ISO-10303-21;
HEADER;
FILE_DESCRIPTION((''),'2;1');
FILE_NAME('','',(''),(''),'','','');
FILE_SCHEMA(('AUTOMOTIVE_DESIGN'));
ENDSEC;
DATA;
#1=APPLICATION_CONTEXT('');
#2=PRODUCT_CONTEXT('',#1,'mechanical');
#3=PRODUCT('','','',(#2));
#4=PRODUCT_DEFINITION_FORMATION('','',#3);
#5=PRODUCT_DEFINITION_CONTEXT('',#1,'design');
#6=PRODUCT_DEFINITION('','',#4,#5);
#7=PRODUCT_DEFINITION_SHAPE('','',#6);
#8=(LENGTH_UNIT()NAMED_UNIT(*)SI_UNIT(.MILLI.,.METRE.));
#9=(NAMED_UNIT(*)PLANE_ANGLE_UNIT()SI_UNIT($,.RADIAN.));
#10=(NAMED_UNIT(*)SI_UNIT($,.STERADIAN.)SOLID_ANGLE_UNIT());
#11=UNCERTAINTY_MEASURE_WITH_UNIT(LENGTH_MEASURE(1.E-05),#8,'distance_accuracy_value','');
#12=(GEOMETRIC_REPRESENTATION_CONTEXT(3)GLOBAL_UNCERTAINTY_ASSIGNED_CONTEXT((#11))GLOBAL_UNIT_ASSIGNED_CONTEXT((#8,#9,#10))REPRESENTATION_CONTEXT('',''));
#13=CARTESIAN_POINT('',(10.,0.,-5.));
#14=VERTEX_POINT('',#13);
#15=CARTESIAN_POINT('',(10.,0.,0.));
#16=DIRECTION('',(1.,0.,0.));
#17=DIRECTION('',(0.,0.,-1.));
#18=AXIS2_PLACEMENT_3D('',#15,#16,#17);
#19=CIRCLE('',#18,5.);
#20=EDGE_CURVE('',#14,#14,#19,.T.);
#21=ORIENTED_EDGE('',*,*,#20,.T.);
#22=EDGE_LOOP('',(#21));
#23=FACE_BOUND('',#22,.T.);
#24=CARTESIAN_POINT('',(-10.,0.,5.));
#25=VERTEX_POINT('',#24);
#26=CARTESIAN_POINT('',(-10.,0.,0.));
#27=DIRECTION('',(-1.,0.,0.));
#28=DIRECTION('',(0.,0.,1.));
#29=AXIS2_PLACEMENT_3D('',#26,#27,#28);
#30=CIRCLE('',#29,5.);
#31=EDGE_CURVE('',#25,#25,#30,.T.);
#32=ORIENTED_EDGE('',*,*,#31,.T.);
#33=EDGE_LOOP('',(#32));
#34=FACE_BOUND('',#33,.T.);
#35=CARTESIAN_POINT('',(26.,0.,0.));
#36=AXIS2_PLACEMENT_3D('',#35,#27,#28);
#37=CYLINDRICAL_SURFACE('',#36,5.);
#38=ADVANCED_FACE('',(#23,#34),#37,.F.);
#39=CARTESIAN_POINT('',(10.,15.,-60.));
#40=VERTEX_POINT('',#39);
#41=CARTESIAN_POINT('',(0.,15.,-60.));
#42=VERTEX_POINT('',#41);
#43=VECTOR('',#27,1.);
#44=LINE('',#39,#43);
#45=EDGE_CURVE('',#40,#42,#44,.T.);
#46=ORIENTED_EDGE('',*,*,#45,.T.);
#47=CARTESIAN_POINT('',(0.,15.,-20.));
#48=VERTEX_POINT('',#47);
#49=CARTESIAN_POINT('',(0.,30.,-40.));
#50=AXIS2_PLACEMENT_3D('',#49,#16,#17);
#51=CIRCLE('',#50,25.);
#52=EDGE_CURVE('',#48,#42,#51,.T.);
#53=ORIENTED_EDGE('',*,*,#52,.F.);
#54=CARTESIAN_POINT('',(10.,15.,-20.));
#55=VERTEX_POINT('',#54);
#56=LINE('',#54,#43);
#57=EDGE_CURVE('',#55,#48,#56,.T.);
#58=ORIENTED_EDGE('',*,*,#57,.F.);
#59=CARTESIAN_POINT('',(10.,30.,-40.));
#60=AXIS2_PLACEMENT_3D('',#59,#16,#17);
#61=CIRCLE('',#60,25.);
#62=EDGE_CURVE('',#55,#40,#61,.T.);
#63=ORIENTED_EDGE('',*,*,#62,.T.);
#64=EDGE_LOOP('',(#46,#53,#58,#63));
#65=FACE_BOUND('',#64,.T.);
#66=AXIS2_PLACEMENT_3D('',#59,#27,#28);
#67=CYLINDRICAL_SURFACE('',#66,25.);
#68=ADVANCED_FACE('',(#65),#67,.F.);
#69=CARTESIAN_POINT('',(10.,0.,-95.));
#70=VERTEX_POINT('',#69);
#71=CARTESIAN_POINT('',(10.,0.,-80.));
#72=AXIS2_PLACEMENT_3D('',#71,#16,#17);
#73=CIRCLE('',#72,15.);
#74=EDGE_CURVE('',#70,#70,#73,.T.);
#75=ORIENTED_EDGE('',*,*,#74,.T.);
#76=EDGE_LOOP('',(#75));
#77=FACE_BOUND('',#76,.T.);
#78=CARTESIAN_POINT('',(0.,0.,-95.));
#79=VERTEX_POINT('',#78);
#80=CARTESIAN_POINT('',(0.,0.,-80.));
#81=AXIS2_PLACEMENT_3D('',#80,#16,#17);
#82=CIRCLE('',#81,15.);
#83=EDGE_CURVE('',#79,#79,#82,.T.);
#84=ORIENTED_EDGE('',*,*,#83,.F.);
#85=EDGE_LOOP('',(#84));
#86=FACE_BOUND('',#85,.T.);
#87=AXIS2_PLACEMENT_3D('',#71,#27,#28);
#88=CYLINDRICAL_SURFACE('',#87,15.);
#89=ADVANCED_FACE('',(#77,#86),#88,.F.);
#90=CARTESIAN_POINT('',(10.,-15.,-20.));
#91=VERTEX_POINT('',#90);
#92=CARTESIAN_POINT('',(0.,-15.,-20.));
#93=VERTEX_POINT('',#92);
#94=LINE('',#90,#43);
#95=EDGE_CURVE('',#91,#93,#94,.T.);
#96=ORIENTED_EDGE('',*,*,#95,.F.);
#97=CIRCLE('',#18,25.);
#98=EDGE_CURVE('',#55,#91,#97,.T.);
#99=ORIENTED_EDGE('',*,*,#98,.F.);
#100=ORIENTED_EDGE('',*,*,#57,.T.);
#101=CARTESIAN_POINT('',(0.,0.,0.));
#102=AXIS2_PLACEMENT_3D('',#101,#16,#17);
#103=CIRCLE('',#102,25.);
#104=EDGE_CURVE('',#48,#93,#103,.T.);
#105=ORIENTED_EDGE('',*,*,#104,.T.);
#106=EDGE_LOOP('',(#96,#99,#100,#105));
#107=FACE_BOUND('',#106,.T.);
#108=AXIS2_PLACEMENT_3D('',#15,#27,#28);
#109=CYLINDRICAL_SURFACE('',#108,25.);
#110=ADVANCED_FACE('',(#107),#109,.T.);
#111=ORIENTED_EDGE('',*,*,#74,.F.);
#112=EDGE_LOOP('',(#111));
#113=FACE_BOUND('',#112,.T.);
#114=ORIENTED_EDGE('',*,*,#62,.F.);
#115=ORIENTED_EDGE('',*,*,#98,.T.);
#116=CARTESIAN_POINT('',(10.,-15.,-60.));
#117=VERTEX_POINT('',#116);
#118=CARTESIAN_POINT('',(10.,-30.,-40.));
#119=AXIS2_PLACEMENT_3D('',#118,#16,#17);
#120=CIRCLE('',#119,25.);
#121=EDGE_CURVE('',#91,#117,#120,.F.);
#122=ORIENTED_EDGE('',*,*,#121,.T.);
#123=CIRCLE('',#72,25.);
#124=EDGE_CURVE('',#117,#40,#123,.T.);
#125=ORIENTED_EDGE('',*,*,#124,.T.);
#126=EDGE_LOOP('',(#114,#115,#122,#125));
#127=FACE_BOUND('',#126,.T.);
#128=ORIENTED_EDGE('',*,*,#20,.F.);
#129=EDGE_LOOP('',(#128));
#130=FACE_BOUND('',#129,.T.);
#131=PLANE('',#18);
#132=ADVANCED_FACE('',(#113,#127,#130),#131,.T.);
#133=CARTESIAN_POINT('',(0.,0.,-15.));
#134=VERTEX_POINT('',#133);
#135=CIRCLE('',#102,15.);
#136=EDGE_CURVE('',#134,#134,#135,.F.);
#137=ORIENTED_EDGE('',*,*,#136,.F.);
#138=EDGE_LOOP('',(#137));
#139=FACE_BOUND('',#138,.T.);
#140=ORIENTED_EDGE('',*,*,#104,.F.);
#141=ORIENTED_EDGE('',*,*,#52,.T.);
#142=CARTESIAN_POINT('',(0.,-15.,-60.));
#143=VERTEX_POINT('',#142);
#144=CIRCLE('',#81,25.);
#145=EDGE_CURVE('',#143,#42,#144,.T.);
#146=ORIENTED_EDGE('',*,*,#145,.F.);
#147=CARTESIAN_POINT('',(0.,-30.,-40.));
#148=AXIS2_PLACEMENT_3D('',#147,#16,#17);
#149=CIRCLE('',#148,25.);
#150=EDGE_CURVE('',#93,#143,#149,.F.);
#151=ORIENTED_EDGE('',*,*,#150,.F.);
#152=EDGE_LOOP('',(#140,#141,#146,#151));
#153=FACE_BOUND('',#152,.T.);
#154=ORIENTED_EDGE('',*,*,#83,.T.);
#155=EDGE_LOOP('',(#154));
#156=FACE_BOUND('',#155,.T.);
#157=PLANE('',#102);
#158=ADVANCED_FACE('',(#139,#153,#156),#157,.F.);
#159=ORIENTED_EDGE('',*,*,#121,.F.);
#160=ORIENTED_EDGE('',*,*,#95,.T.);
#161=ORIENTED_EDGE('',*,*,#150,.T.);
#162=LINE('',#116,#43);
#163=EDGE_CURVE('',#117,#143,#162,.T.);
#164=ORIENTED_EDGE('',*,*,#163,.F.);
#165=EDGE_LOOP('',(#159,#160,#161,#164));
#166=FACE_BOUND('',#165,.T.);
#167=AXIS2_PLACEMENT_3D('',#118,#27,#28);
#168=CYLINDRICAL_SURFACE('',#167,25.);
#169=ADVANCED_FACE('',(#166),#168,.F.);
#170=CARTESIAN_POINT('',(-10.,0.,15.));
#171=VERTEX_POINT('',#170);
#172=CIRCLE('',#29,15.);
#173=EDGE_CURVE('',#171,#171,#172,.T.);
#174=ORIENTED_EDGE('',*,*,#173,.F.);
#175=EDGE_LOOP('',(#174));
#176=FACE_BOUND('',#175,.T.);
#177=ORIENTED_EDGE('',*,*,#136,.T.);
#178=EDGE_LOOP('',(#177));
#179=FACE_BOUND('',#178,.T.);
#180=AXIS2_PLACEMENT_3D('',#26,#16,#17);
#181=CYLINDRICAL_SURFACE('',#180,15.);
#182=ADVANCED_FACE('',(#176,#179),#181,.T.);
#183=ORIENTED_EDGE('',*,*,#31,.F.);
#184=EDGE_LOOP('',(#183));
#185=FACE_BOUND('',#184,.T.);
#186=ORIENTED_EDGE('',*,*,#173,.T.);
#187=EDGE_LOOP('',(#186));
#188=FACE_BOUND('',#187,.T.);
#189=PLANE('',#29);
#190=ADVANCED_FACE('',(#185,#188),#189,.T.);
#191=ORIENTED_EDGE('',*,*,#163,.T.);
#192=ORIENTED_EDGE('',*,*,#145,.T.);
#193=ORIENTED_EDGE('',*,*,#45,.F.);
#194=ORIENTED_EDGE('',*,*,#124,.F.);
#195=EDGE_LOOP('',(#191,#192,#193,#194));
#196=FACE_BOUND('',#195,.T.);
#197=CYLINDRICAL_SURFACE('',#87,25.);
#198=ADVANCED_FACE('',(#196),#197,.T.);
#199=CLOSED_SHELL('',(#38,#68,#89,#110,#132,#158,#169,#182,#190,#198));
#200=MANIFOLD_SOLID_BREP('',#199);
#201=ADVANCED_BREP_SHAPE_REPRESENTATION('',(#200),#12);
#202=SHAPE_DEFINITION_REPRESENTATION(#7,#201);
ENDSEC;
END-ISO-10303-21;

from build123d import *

# Parameters (mm, degrees)
SKETCH1_R           = 15
BOSS_EXTRUDE1_DEPTH = 10
SKETCH2_R           = 15
BOSS_EXTRUDE2_DEPTH = 10
SKETCH3_R           = 15
BOSS_EXTRUDE3_DEPTH = 10
SKETCH4_R           = 5
CUT_EXTRUDE1_DEPTH  = 36


with BuildPart() as part:
    # Sketch1 → Boss-Extrude1 (new body)
    with BuildSketch(Plane(origin=(0, 0, 0), x_dir=(0, 0, -1), z_dir=(1, 0, 0))):
        with BuildLine():
            ThreePointArc((20, 15), (-25, 0), (20, -15))
            ThreePointArc((20, -15), (40, -5), (60, -15))
            ThreePointArc((60, -15), (105, 0), (60, 15))
            ThreePointArc((60, 15), (40, 5), (20, 15))
        make_face()
        Circle(SKETCH1_R, mode=Mode.SUBTRACT)
        with Locations((80, 0)):
            Circle(SKETCH1_R, mode=Mode.SUBTRACT)
    extrude(amount=BOSS_EXTRUDE1_DEPTH)

    # Sketch2 → Boss-Extrude2 (add)
    with BuildSketch(Plane.ZY):
        Circle(SKETCH2_R)
    extrude(amount=-BOSS_EXTRUDE2_DEPTH)

    # Sketch3 → Boss-Extrude3 (add)
    with BuildSketch(Plane.ZY):
        Circle(SKETCH3_R)
    extrude(amount=BOSS_EXTRUDE3_DEPTH)

    # Sketch4 → Cut-Extrude1 (cut)
    with BuildSketch(Plane.ZY.offset(10)):
        Circle(SKETCH4_R)
    extrude(amount=-CUT_EXTRUDE1_DEPTH, mode=Mode.SUBTRACT)


solid = part.part
